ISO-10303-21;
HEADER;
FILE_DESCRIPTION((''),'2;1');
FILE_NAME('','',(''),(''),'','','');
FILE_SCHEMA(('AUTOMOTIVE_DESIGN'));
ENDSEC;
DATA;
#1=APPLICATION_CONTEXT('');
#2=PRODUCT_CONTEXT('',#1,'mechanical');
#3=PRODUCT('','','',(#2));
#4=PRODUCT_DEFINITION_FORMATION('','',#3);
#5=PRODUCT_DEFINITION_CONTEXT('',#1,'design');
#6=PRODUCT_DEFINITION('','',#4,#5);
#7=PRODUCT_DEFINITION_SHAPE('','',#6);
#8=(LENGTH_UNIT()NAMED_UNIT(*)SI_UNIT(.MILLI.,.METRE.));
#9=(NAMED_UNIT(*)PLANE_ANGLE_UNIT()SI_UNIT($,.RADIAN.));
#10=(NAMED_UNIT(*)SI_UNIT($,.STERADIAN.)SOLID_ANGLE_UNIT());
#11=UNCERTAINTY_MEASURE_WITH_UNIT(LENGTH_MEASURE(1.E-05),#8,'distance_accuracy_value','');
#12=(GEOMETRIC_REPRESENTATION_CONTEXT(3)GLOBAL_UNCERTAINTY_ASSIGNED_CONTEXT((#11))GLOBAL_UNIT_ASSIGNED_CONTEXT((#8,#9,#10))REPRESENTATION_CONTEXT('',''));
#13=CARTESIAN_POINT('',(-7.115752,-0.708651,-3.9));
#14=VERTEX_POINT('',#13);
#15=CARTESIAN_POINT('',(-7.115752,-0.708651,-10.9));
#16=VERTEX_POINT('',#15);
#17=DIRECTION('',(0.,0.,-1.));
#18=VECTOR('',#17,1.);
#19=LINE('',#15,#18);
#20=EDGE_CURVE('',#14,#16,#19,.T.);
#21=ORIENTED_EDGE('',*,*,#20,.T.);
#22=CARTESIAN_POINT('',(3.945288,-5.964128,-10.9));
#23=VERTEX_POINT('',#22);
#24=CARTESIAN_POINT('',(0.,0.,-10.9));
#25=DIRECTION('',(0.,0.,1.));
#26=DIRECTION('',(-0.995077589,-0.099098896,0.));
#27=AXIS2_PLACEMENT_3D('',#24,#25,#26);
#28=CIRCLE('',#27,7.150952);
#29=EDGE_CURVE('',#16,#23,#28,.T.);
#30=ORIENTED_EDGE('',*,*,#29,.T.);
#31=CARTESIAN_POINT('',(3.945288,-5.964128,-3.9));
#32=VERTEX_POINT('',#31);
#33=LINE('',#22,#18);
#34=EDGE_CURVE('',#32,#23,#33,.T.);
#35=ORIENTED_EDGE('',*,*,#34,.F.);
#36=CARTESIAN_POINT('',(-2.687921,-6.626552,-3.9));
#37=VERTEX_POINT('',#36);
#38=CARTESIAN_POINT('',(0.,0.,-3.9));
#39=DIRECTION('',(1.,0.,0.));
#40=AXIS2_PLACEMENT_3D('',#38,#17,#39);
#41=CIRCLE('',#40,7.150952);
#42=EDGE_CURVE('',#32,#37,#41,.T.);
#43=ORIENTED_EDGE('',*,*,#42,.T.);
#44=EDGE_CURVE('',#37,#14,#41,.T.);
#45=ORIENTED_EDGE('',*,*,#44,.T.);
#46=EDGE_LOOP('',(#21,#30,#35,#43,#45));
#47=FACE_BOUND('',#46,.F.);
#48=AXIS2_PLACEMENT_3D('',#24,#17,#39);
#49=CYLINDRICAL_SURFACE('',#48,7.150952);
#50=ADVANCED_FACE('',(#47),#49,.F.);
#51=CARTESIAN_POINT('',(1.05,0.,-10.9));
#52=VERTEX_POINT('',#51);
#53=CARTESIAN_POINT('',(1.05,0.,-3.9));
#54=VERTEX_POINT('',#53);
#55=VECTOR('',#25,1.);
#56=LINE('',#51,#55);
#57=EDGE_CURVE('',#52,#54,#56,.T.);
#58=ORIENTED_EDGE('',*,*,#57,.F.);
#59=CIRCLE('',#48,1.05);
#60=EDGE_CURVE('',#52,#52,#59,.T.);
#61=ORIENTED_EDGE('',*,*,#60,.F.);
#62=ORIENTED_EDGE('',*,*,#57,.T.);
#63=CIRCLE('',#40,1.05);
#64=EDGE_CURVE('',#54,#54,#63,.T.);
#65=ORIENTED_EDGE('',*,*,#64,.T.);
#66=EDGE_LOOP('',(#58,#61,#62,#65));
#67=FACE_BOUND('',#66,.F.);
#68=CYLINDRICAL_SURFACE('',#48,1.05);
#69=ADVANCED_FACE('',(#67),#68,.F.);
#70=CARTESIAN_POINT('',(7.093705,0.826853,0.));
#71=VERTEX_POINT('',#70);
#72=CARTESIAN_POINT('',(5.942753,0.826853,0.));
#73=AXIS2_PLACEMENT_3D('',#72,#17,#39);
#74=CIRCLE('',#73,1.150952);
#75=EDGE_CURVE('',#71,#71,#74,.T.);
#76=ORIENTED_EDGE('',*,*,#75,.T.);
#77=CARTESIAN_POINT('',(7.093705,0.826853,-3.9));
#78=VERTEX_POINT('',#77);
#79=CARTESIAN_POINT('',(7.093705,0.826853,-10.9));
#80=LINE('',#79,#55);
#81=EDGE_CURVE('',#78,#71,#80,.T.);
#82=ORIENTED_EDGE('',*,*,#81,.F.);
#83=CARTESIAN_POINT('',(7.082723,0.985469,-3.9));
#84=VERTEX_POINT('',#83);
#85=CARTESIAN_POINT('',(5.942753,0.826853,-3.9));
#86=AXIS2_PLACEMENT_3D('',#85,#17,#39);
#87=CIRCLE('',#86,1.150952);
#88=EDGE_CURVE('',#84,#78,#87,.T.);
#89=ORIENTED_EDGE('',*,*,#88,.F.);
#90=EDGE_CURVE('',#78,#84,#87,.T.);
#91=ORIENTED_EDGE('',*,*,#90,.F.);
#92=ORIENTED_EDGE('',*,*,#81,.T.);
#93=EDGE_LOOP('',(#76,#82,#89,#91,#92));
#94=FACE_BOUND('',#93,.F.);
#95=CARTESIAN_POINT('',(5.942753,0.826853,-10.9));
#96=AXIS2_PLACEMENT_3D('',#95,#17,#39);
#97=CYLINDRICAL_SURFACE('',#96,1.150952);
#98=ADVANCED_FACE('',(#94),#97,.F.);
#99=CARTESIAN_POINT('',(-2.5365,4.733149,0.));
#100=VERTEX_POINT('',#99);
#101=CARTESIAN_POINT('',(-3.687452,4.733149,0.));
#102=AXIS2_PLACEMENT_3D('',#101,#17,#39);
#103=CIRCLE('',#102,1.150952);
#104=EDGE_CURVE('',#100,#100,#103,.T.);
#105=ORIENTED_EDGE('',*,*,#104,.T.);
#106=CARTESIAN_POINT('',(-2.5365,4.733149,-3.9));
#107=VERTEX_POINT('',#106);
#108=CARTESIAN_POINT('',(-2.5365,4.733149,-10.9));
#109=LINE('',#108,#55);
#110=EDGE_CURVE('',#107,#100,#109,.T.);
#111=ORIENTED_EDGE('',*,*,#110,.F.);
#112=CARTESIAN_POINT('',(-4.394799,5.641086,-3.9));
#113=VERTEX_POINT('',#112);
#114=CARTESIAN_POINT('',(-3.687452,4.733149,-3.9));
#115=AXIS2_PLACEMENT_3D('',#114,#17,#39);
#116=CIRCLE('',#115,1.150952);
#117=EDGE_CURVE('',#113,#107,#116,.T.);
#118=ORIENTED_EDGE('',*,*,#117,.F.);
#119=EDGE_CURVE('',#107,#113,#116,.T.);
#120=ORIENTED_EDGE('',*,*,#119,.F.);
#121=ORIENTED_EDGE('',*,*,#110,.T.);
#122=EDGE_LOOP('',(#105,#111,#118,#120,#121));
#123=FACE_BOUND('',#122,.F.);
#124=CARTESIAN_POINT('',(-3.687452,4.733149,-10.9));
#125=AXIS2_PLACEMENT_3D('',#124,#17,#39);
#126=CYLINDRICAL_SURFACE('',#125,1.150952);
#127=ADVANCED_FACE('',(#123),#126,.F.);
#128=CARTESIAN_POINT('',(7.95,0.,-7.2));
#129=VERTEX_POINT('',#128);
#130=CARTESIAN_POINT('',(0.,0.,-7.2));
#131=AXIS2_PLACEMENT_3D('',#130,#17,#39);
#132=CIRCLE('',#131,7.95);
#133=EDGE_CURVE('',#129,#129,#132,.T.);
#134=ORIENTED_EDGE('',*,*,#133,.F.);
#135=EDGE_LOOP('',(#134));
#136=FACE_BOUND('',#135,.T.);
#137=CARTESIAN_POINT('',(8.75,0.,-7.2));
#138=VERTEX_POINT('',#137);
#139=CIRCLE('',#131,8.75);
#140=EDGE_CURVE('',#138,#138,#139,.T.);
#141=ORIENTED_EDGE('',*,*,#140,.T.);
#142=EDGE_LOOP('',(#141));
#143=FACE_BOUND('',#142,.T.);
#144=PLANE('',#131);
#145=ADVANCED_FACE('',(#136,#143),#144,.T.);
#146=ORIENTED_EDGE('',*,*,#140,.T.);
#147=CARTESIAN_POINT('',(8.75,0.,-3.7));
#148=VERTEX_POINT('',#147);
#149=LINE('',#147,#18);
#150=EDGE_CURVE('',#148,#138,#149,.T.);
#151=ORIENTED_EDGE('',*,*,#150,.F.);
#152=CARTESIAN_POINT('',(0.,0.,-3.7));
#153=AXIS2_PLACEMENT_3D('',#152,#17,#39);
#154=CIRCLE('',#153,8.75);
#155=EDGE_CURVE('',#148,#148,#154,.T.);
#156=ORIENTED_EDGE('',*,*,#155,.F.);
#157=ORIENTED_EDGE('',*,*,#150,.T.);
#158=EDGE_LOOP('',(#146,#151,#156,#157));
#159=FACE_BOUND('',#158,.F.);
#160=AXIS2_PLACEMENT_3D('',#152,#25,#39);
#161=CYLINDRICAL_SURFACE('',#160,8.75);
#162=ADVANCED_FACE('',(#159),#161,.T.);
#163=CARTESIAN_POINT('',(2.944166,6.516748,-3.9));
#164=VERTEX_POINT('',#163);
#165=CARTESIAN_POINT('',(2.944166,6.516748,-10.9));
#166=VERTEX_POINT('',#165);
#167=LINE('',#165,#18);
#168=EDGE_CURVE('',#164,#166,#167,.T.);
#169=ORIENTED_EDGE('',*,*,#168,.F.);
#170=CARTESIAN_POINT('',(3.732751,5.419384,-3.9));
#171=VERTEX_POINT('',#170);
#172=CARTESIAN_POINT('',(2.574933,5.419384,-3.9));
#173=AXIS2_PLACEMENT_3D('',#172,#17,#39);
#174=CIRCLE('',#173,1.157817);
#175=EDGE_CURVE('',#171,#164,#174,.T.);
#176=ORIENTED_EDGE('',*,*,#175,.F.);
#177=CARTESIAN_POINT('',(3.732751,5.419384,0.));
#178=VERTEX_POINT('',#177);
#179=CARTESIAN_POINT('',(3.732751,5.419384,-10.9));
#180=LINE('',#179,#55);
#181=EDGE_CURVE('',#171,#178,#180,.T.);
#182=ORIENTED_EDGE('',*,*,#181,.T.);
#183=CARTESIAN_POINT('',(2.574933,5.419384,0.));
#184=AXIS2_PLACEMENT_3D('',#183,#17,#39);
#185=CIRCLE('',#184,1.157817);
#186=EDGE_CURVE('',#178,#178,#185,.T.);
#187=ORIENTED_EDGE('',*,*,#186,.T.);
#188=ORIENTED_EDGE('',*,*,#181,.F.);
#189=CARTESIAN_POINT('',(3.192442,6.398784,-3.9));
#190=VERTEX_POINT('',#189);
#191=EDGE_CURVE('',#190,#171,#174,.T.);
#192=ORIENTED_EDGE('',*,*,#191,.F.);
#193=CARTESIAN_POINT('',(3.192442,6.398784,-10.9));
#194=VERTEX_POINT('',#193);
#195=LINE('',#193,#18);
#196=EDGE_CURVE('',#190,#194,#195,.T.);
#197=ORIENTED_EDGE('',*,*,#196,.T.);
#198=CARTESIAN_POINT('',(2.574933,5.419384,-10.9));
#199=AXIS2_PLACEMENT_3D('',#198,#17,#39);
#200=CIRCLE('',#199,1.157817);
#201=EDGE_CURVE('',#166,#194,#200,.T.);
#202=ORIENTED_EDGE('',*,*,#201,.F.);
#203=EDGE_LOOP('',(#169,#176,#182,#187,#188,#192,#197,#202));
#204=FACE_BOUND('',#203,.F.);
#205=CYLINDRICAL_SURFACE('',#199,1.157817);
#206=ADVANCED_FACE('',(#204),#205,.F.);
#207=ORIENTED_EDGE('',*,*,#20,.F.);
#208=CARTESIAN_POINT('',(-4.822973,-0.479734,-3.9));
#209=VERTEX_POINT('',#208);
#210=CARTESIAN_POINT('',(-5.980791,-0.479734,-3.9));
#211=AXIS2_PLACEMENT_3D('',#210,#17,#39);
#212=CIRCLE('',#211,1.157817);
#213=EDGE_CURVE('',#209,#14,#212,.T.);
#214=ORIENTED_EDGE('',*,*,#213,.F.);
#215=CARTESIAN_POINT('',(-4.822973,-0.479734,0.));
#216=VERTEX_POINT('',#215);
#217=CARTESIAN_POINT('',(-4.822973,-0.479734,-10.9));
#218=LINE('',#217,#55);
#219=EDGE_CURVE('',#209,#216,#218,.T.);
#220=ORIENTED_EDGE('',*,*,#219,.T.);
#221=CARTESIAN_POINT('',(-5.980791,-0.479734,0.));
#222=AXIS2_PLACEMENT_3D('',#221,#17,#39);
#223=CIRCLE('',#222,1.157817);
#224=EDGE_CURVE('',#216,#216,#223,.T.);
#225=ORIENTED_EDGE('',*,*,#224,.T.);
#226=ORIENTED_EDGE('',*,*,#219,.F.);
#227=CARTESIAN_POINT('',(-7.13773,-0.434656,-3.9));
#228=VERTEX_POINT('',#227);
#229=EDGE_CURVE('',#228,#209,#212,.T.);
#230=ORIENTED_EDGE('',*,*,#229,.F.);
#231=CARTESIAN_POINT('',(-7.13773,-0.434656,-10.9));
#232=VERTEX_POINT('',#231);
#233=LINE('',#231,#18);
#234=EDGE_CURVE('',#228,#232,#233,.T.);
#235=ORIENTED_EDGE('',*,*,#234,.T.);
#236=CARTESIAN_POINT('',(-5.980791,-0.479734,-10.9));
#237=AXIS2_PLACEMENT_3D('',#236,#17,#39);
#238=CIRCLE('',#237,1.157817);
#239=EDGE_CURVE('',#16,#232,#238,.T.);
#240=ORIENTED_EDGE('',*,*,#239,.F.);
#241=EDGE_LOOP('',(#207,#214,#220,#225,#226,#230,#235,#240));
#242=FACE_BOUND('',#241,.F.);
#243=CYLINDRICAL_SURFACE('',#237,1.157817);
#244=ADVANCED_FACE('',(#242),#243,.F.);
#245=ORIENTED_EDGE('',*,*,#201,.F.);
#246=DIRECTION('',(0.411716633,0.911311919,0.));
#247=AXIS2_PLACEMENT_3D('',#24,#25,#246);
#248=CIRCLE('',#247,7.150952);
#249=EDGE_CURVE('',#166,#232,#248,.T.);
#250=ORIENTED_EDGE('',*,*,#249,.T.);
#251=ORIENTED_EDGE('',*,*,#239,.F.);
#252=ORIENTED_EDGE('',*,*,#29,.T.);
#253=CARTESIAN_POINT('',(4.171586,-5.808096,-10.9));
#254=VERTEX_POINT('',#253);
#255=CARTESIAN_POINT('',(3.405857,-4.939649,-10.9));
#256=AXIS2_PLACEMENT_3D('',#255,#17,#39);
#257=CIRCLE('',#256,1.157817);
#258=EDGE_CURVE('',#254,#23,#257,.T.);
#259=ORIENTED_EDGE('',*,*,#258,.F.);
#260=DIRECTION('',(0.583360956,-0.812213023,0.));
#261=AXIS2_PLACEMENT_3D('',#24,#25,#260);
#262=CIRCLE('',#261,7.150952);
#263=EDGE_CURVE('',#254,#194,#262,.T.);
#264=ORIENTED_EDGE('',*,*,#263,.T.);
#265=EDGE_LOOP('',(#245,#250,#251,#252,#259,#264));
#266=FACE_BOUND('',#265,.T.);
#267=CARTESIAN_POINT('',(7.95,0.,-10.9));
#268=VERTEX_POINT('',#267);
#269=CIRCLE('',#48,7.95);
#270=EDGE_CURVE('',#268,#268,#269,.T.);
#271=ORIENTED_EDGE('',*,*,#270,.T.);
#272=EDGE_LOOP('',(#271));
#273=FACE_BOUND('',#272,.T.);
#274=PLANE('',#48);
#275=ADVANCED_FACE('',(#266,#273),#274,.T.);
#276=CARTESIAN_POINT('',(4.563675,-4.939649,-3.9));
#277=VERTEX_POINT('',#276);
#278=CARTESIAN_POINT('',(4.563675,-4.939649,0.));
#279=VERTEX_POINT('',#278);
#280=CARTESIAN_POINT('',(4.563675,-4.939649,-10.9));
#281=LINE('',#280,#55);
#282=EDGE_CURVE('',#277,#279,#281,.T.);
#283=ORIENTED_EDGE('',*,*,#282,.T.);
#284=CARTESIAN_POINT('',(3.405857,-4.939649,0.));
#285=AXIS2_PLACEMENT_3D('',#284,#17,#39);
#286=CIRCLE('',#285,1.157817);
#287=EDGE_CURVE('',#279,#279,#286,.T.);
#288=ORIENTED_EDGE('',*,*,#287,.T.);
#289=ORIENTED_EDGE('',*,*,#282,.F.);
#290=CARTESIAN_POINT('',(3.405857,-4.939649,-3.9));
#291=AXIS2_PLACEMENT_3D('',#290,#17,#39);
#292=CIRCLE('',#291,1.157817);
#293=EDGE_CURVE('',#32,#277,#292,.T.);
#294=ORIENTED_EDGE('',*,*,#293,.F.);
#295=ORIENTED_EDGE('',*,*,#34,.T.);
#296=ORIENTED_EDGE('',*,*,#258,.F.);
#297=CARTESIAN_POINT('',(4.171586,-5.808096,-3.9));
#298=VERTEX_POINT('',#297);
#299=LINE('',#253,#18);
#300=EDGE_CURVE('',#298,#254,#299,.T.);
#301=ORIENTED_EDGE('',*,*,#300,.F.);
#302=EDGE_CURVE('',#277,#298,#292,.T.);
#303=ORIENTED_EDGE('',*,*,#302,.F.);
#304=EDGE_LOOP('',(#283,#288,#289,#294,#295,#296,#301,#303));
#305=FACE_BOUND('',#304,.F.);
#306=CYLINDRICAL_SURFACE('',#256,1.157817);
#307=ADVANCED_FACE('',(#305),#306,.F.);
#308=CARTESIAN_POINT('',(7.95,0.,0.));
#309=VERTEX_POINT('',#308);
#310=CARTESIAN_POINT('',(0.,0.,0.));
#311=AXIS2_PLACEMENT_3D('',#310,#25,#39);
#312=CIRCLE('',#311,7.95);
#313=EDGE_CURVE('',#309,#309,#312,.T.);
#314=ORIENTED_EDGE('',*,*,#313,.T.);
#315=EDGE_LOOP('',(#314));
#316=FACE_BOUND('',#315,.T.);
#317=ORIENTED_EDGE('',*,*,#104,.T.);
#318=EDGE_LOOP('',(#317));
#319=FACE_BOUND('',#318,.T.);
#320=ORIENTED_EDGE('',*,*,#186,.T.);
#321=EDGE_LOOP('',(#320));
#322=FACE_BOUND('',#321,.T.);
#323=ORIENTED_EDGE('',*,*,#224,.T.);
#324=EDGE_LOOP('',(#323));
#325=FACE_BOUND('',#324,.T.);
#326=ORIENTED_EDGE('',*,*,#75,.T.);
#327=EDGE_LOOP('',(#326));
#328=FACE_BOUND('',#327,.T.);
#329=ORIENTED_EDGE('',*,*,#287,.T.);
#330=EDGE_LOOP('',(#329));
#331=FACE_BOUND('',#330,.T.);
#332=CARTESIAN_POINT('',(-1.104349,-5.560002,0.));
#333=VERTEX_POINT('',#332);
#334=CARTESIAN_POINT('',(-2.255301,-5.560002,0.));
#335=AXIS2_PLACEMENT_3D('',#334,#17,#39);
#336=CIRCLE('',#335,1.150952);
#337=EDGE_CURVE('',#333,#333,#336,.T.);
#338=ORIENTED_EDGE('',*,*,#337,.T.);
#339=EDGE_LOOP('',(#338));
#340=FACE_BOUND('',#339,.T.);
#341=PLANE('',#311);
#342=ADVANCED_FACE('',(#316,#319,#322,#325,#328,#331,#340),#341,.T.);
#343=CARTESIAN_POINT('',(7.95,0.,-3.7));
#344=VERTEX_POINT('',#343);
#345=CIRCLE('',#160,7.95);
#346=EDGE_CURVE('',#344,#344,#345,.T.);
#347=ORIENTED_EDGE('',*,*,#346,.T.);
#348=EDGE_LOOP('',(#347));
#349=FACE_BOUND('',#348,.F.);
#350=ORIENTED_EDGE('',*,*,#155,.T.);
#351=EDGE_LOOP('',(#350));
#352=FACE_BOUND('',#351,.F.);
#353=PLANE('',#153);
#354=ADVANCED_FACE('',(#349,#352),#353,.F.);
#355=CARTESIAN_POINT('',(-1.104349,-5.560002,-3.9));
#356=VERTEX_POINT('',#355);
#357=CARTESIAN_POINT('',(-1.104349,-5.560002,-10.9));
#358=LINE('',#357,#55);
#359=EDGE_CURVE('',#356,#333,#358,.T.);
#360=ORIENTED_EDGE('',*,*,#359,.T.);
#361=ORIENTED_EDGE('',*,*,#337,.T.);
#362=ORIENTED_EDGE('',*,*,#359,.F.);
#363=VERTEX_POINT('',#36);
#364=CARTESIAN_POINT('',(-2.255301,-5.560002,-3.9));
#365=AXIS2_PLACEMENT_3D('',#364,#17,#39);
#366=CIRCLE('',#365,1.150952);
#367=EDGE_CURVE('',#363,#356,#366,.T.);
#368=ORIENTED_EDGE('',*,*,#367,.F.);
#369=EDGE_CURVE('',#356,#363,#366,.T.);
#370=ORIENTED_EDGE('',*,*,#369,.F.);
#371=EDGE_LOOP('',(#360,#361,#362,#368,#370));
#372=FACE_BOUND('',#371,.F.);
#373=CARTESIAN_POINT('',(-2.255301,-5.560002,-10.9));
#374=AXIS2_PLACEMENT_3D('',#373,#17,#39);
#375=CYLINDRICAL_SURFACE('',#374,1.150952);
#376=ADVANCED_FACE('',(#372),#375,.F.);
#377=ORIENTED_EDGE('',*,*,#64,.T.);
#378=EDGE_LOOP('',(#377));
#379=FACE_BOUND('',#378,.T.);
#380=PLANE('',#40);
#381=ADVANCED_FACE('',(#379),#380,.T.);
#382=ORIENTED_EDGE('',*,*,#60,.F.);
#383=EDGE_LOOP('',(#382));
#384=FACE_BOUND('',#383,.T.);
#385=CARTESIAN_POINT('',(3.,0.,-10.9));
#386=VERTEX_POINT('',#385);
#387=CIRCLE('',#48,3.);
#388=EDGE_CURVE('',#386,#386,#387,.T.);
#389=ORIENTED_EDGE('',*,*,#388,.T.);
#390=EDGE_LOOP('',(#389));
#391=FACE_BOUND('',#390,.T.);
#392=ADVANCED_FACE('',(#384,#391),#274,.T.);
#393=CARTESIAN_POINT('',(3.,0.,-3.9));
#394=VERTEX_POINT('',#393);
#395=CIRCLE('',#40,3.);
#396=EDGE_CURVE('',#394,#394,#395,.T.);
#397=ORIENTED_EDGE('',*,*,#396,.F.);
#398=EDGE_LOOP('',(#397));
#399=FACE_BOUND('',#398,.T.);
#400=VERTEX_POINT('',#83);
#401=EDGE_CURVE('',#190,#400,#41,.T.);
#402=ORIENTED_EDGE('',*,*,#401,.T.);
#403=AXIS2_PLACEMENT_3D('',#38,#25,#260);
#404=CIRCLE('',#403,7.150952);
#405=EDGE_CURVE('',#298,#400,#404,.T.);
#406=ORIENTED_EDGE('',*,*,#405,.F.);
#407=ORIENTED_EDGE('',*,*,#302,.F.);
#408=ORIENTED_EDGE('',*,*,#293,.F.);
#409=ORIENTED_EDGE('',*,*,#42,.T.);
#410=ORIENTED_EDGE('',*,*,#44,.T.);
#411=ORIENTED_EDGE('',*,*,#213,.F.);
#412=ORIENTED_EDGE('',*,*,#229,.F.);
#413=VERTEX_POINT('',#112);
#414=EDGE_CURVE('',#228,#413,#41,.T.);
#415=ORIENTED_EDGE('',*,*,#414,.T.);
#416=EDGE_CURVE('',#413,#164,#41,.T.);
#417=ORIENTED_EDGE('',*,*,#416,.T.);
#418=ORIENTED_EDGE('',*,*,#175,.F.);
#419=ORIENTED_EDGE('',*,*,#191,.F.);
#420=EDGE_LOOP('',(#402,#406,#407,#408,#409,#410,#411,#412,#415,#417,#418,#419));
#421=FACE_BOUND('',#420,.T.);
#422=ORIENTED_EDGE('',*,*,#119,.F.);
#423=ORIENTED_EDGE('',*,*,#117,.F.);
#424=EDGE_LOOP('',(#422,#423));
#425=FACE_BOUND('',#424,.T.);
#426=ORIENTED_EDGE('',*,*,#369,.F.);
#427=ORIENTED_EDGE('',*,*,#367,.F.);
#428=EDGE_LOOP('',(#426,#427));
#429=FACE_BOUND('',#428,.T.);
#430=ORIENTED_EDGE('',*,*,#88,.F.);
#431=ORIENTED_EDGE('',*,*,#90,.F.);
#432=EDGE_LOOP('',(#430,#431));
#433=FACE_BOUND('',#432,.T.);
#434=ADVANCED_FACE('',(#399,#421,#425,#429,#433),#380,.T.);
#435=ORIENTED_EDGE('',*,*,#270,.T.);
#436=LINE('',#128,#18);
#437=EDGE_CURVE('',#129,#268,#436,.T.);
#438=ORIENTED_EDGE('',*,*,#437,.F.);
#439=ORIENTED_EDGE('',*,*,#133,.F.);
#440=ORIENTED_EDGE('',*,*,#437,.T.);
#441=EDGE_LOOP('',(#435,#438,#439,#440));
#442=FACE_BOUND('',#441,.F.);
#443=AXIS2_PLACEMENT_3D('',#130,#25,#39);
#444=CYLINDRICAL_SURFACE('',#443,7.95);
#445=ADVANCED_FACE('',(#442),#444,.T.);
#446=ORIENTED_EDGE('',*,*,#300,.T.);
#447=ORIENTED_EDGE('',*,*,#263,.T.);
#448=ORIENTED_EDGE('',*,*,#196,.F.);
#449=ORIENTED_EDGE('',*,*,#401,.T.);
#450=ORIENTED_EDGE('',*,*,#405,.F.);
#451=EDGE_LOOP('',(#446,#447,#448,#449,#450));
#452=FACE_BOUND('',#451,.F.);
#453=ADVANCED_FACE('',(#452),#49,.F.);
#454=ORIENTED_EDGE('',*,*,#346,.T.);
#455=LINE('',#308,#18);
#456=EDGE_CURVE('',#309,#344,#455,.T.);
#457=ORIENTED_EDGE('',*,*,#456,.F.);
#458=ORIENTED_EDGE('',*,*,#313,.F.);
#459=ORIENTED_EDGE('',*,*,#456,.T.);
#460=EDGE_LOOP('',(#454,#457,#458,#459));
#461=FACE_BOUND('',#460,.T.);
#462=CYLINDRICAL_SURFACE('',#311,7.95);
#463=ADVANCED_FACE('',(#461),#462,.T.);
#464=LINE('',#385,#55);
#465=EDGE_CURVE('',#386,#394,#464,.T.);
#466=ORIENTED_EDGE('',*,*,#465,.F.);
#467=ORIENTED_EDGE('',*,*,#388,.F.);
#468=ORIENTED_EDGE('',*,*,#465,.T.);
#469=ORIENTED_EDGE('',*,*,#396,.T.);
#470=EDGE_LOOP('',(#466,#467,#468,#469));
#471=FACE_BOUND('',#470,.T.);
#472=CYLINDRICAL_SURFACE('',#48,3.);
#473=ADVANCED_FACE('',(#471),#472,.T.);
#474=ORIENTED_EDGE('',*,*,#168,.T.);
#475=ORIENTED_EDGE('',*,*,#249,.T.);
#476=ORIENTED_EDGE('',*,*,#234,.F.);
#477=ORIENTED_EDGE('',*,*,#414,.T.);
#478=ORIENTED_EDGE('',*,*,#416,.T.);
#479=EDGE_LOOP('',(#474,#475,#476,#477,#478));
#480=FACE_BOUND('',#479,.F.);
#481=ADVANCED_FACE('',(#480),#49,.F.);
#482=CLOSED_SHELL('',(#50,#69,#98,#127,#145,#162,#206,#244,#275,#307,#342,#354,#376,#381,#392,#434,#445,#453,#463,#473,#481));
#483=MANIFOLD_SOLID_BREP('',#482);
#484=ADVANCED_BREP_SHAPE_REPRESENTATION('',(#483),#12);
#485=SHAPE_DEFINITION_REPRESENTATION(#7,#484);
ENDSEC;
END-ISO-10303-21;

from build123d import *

# Parameters (mm, degrees)
F0_R      = 7.95
F1_DEPTH  = 3.7
F2_R      = 8.75
F3_DEPTH  = 3.5
F4_R      = 7.95
F5_DEPTH  = 3.7
F6_R      = 1.157817429
F7_DEPTH  = 25
F8_R      = 1.150952134
F9_DEPTH  = 25
F10_R     = 7.150952134
F10_R_2   = 3
F10_R_3   = 1.05
F11_DEPTH = 7


with BuildPart() as f1:
    # F0 (on Top) → F1 (new body)
    with BuildSketch(Plane.XY):
        Circle(F0_R)
    extrude(amount=-F1_DEPTH)

    # F2 (on face) → F3 (join)
    with BuildSketch(Plane(origin=(0, 0, -3.7), x_dir=(1, 0, 0), z_dir=(0, 0, -1))):
        Circle(F2_R)
    extrude(amount=F3_DEPTH)

    # F4 (on face) → F5 (join)
    with BuildSketch(Plane(origin=(0, 0, -7.2), x_dir=(1, 0, 0), z_dir=(0, 0, -1))):
        Circle(F4_R)
    extrude(amount=F5_DEPTH)

    # F6 (on face) → F7 (cut)
    with BuildSketch(Plane(origin=(0, 0, -10.9), x_dir=(1, 0, 0), z_dir=(0, 0, -1))):
        with Locations((-5.9807905132, 0.4797341322)):
            Circle(F6_R)
        with Locations((2.5749333111, -5.4193835852)):
            Circle(F6_R)
        with Locations((3.4058572021, 4.939649453)):
            Circle(F6_R)
    extrude(amount=-F7_DEPTH, mode=Mode.SUBTRACT)

    # F8 (on face) → F9 (cut)
    with BuildSketch(Plane(origin=(0, 0, -10.9), x_dir=(1, 0, 0), z_dir=(0, 0, -1))):
        with Locations((-2.2553007404, 5.56000167)):
            Circle(F8_R)
        with Locations((5.9427530615, -0.8268531007)):
            Circle(F8_R)
        with Locations((-3.6874523211, -4.7331485693)):
            Circle(F8_R)
    extrude(amount=-F9_DEPTH, mode=Mode.SUBTRACT)

    # F10 (on face) → F11 (cut)
    with BuildSketch(Plane(origin=(0, 0, -10.9), x_dir=(1, 0, 0), z_dir=(0, 0, -1))):
        Circle(F10_R)
        Circle(F10_R_2, mode=Mode.SUBTRACT)
        Circle(F10_R_3)
    extrude(amount=-F11_DEPTH, mode=Mode.SUBTRACT)


solid = f1.part
